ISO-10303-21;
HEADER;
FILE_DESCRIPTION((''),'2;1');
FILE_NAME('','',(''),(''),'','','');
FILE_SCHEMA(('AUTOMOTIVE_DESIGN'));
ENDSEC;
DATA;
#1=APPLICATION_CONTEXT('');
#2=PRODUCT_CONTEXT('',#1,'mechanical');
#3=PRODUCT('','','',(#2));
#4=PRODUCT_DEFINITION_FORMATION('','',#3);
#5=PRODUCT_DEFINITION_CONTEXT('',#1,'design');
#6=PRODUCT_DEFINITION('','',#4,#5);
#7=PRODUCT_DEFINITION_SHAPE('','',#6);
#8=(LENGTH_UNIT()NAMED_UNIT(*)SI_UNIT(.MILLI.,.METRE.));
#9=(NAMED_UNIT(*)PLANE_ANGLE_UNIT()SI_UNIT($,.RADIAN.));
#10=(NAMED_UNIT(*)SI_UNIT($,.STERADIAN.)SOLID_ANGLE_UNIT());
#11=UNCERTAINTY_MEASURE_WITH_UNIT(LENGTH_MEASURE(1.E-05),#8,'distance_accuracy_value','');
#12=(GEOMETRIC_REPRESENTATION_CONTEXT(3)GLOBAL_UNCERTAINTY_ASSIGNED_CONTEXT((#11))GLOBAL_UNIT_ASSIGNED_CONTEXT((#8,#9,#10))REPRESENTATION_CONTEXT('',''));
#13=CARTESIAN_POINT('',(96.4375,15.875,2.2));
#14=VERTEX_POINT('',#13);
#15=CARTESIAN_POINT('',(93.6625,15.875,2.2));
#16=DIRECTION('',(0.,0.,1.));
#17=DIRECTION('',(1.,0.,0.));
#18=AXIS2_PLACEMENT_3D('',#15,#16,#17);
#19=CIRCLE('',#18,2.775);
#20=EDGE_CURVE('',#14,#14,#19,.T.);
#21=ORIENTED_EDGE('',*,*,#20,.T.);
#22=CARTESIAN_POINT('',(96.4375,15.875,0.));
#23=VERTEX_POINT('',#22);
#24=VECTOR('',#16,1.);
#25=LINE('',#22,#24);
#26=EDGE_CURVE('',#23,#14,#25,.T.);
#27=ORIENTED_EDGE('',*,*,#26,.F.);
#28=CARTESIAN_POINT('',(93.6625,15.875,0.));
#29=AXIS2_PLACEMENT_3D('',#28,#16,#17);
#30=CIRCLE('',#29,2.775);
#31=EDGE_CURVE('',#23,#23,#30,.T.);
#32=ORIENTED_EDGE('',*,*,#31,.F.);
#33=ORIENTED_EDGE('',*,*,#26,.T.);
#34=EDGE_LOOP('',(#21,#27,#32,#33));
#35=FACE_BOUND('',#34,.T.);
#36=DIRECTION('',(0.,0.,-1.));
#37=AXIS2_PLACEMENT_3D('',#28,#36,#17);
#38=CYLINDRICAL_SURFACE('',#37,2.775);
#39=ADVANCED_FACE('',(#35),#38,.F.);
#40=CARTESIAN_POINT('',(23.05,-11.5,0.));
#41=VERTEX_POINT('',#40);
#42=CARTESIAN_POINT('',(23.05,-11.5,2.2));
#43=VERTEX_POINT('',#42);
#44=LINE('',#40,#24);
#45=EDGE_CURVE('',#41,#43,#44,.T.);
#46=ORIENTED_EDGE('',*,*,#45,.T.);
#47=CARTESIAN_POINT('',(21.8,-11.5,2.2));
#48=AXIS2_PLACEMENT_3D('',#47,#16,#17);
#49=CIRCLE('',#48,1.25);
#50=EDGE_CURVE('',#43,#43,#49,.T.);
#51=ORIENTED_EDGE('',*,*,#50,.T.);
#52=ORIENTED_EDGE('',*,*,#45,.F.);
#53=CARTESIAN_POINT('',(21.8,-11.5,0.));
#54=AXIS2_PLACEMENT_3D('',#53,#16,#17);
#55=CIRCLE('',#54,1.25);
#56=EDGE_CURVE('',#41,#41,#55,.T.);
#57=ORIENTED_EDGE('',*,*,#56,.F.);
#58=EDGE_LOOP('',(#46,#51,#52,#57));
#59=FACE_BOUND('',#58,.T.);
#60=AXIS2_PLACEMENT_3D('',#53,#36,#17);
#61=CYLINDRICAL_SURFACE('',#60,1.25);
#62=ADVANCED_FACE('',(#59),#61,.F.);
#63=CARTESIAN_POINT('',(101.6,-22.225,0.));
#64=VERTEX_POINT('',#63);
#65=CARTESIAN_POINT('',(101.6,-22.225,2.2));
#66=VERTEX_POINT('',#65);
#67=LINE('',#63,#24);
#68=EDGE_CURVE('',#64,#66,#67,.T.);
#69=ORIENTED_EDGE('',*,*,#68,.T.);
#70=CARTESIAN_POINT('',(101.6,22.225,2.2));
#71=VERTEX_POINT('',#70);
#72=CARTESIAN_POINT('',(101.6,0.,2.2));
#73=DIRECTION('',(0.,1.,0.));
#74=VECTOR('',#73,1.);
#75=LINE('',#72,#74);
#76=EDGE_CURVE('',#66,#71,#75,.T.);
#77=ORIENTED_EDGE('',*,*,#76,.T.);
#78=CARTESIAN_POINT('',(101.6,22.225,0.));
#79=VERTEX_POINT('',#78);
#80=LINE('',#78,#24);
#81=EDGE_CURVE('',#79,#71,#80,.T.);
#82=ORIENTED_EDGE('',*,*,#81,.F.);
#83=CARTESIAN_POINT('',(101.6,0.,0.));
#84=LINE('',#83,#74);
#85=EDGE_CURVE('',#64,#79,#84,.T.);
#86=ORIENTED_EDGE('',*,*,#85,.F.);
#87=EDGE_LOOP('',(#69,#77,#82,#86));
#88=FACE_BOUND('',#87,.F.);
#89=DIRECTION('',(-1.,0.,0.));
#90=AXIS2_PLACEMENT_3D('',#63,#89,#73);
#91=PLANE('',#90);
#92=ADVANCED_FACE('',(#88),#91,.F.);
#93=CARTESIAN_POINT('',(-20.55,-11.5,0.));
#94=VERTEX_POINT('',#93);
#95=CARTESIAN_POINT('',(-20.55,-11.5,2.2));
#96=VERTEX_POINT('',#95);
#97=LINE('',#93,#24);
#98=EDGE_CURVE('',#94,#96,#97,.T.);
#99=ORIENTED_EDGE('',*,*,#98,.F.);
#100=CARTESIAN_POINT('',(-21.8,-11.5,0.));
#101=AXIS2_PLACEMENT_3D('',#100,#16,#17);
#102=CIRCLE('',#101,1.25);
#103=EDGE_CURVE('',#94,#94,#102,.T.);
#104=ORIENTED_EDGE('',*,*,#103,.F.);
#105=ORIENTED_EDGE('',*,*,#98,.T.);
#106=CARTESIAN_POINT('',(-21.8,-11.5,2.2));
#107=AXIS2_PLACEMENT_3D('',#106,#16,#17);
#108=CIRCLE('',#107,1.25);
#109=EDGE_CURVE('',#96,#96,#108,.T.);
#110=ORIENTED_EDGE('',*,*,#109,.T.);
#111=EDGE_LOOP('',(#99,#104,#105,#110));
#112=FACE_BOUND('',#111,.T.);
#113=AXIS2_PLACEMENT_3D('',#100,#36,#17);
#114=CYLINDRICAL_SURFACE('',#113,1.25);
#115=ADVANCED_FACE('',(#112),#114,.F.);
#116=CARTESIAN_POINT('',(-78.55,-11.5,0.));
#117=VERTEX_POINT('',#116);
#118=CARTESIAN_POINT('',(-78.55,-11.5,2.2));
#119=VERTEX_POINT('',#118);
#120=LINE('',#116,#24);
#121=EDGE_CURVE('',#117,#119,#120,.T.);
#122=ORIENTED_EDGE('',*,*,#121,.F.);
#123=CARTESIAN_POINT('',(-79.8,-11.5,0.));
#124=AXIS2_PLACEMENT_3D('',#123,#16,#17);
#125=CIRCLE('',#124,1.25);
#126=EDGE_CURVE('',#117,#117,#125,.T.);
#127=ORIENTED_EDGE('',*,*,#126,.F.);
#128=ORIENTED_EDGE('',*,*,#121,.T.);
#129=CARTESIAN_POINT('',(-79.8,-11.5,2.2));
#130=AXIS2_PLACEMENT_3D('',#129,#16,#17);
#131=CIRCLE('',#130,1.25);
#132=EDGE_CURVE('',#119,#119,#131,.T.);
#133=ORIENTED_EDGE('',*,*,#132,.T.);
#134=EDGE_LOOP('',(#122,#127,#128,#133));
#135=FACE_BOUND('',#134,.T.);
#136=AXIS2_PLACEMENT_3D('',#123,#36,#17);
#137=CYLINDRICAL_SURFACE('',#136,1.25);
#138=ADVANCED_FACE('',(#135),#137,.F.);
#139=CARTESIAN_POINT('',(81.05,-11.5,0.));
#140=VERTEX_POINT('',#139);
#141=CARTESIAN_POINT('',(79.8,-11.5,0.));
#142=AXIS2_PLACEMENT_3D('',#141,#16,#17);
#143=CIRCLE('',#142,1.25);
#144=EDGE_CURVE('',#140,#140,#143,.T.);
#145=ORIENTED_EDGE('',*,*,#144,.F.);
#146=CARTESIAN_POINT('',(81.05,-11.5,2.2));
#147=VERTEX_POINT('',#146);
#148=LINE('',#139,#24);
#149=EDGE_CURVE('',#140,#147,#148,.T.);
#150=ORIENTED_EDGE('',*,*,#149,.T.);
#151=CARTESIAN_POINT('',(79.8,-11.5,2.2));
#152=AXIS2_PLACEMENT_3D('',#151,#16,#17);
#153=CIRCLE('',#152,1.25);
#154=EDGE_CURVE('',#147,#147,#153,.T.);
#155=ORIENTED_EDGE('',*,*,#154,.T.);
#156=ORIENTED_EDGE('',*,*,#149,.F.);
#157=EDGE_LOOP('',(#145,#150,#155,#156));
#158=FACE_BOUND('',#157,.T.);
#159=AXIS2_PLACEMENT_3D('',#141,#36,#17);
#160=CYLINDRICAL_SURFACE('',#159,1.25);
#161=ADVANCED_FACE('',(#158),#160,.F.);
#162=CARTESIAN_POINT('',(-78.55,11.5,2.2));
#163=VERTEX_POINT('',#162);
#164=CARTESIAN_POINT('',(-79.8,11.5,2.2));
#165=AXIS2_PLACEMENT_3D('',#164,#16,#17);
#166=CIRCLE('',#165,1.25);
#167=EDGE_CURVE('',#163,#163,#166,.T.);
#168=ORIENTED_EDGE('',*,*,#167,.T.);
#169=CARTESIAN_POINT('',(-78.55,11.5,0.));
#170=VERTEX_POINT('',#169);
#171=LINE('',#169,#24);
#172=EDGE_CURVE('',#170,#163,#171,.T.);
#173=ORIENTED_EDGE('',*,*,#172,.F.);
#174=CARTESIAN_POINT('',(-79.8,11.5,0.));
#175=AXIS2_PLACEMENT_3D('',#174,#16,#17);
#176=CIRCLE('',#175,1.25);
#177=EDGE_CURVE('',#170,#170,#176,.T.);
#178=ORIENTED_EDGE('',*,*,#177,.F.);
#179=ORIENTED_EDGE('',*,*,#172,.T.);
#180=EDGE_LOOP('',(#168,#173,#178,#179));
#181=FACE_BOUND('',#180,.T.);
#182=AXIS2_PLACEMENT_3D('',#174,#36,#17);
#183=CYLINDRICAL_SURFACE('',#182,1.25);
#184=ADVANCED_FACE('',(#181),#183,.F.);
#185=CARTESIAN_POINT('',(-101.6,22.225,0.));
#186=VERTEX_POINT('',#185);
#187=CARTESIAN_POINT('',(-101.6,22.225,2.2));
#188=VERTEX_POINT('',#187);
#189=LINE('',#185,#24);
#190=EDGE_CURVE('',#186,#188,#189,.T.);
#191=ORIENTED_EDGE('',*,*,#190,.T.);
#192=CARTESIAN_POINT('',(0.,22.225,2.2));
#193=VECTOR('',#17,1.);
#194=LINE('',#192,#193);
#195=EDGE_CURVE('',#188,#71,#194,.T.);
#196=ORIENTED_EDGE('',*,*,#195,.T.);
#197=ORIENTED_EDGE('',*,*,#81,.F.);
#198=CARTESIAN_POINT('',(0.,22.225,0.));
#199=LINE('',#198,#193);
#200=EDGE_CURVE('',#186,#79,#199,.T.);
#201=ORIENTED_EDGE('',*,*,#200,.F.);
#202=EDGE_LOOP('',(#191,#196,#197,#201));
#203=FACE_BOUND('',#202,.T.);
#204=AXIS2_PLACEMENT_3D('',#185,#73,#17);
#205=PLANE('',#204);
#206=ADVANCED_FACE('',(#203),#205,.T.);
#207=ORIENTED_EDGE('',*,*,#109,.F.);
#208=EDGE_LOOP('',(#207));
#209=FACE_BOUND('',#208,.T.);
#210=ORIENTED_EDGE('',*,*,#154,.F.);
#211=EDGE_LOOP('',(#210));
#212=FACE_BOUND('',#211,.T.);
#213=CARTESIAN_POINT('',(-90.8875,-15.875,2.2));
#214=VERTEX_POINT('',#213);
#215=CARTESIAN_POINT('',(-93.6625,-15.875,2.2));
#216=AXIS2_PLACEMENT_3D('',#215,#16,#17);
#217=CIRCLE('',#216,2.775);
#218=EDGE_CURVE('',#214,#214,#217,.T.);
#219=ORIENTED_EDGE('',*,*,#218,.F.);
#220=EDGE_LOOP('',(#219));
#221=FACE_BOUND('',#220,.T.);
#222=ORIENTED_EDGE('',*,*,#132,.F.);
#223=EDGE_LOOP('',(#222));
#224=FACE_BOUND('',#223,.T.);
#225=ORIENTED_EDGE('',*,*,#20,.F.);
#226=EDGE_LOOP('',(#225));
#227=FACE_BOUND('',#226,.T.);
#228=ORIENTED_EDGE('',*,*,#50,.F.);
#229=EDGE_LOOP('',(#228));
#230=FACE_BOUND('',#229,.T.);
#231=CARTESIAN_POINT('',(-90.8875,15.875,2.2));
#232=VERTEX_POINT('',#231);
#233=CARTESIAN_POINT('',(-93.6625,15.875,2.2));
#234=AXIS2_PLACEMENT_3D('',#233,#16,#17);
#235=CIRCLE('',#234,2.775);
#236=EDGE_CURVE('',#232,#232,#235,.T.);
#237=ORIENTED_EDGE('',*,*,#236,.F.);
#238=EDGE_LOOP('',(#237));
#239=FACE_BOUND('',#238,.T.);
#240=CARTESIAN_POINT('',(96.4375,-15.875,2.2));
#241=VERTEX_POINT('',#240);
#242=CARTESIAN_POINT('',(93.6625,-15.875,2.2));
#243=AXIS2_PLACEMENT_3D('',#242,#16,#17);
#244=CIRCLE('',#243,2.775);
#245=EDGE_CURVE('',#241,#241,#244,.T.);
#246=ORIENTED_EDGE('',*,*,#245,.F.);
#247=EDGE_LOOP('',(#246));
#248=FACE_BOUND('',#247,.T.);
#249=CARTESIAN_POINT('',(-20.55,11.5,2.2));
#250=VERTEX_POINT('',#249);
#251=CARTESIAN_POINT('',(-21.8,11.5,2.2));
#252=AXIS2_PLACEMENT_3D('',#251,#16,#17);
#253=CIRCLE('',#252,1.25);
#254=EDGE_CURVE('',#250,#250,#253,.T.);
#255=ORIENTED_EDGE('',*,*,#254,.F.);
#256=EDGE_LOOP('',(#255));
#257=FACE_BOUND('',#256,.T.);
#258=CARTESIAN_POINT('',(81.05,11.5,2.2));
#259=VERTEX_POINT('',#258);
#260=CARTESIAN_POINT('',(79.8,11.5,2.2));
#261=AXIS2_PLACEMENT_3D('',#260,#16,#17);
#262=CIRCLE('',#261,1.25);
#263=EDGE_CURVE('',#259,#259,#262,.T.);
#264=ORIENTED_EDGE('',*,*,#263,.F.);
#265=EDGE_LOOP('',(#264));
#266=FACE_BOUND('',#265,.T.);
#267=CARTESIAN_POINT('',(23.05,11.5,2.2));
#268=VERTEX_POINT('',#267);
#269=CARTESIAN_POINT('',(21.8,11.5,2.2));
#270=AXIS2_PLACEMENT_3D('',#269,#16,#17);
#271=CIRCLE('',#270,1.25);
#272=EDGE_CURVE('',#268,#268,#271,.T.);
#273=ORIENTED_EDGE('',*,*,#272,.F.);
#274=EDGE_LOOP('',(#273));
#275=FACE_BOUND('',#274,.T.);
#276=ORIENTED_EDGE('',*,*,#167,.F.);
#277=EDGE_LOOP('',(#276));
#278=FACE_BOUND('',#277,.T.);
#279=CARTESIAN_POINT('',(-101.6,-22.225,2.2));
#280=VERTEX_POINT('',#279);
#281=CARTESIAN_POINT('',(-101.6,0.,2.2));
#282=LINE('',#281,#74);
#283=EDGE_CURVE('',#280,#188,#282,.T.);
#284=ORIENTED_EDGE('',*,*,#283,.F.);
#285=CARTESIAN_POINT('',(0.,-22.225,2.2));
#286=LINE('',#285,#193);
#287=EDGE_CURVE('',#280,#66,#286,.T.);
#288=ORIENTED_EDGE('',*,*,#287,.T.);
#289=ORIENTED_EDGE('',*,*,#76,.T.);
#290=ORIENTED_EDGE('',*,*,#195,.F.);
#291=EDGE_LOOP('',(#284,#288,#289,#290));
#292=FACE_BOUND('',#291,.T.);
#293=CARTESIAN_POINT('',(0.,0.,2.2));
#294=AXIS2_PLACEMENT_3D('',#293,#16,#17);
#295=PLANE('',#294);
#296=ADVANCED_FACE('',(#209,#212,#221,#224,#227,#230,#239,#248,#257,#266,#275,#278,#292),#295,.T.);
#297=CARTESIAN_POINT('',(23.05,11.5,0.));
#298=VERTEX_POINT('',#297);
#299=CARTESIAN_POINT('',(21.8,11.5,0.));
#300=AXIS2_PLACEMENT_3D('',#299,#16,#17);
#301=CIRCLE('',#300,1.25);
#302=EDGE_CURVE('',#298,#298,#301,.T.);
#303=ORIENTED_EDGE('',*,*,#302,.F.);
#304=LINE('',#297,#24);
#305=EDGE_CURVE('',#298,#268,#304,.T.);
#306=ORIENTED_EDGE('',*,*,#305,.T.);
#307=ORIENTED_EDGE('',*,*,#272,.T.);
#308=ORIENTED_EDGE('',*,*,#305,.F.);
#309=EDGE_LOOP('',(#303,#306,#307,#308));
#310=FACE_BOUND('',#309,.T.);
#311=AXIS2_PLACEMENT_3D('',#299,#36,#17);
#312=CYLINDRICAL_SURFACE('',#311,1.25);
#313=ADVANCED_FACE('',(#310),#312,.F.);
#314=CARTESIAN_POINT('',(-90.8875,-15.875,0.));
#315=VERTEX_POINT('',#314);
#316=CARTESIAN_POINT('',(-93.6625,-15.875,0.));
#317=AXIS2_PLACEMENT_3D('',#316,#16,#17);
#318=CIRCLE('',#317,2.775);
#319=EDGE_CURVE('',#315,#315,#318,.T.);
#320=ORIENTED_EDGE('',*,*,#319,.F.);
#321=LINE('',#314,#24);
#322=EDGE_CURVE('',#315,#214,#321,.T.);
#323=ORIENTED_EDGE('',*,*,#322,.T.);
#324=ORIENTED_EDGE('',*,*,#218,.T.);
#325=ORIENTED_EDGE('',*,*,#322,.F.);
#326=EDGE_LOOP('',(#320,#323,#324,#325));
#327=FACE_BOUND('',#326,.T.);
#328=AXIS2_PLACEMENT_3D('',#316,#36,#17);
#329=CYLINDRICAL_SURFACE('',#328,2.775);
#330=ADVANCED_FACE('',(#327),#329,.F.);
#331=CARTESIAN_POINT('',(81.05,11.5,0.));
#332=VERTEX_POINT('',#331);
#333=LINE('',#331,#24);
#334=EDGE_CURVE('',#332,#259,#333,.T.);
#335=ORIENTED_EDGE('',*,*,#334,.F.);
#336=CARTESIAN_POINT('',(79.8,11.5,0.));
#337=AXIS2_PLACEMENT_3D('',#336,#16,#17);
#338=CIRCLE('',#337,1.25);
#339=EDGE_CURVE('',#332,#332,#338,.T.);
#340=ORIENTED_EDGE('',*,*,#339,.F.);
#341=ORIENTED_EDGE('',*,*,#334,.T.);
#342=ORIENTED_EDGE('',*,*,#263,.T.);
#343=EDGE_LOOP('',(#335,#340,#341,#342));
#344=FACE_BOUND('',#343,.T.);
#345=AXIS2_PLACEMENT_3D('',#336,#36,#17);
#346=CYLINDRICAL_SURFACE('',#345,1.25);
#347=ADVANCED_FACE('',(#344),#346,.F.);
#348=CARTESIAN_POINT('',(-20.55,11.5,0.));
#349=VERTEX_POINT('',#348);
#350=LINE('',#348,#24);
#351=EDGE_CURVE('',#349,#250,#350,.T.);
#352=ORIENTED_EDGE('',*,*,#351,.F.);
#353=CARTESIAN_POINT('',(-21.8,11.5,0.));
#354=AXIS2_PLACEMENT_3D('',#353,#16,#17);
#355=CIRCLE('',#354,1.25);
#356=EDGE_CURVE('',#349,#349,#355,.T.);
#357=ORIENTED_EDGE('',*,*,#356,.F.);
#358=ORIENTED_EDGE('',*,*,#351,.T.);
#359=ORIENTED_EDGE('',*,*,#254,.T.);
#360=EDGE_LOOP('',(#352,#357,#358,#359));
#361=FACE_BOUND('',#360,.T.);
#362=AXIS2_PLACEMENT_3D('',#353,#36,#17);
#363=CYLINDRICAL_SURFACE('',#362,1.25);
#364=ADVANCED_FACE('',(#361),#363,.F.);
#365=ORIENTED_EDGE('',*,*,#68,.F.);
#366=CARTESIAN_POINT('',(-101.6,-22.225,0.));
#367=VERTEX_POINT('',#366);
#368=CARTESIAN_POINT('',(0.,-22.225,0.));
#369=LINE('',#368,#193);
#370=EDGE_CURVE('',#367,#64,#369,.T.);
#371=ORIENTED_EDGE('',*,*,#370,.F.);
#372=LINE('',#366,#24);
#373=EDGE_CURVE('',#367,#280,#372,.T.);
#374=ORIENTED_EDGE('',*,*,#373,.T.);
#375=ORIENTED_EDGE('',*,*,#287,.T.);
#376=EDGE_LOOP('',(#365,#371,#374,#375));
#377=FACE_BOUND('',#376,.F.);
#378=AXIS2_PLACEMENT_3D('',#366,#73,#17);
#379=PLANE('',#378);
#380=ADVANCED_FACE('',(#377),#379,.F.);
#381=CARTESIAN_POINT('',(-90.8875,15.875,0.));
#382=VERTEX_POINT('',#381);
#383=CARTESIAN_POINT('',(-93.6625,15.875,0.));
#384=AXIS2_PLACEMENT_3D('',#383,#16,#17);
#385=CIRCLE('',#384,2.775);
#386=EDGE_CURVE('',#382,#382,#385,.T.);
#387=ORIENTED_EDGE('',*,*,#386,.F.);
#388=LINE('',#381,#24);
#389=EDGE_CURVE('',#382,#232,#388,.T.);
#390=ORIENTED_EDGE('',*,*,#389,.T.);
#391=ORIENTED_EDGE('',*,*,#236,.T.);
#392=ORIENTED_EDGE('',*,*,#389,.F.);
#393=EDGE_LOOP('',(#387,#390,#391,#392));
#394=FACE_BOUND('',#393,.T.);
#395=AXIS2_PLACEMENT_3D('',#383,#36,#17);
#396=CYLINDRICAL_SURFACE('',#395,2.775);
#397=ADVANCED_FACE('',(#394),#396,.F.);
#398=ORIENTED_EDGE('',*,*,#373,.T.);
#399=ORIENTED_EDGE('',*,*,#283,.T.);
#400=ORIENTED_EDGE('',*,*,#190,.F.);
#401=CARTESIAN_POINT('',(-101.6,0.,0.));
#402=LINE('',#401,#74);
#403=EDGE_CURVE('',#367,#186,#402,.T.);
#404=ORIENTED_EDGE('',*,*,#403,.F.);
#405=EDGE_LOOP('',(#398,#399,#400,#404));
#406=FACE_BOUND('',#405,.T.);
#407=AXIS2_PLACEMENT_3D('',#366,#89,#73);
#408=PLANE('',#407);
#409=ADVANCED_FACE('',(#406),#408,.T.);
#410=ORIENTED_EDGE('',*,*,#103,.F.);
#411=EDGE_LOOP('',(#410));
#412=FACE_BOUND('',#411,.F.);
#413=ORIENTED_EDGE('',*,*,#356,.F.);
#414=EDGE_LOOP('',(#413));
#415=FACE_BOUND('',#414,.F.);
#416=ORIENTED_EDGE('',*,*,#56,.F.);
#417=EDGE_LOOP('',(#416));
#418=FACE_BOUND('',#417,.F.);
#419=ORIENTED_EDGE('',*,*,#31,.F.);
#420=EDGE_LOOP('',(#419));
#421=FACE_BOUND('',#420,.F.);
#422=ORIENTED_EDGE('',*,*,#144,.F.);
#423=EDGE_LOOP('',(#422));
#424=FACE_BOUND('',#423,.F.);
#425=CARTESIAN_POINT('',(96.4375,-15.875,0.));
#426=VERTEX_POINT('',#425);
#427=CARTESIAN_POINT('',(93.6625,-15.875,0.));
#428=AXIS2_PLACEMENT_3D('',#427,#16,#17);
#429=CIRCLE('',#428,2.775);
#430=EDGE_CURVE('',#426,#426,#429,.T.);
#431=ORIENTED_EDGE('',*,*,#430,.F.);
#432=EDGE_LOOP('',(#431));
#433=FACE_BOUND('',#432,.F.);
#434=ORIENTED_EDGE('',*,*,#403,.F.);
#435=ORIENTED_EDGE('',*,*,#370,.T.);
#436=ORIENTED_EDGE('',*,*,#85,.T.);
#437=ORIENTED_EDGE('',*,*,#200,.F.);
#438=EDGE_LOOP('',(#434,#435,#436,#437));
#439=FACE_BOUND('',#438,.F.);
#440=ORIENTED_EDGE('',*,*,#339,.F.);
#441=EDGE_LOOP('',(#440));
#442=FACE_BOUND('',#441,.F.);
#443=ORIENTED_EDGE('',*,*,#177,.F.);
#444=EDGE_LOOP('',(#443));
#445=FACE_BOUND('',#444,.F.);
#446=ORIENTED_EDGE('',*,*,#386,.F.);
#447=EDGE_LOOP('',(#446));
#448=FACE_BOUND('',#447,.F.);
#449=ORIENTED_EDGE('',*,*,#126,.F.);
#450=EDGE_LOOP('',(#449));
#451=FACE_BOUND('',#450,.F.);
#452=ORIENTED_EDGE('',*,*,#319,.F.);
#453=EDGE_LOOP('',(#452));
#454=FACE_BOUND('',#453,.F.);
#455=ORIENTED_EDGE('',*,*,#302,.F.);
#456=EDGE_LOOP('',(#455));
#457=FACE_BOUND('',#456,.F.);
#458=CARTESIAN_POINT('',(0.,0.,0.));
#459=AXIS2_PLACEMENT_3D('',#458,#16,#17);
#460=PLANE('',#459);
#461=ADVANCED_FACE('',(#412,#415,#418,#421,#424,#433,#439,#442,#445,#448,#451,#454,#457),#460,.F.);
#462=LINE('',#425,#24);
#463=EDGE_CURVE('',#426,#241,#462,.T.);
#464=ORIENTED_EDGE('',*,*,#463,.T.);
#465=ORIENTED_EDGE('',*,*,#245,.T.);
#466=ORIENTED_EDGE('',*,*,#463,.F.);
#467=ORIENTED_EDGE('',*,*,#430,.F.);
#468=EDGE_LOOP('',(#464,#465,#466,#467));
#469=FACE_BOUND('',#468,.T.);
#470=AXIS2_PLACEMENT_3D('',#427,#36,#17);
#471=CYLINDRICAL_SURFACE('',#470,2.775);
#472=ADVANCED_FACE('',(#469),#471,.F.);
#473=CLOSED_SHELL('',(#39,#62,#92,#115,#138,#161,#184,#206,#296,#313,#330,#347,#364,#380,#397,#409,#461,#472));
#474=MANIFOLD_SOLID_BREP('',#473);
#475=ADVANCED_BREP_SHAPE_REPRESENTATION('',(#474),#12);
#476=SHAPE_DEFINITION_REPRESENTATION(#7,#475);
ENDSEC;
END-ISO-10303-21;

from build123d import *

# Parameters (mm, degrees)
SKETCH_W   = 203.2
SKETCH_H   = 44.45
SKETCH_R   = 2.775
SKETCH_R_2 = 1.25
PAD_DEPTH  = 2.2


with BuildPart() as part:
    # Sketch → Pad (new body)
    with BuildSketch(Plane.XY):
        Rectangle(SKETCH_W, SKETCH_H)
        with Locations((-93.6625, 15.875)):
            Circle(SKETCH_R, mode=Mode.SUBTRACT)
        with Locations((-93.6625, -15.875)):
            Circle(SKETCH_R, mode=Mode.SUBTRACT)
        with Locations((93.6625, 15.875)):
            Circle(SKETCH_R, mode=Mode.SUBTRACT)
        with Locations((93.6625, -15.875)):
            Circle(SKETCH_R, mode=Mode.SUBTRACT)
        with Locations((-79.8, 11.5)):
            Circle(SKETCH_R_2, mode=Mode.SUBTRACT)
        with Locations((-79.8, -11.5)):
            Circle(SKETCH_R_2, mode=Mode.SUBTRACT)
        with Locations((-21.8, 11.5)):
            Circle(SKETCH_R_2, mode=Mode.SUBTRACT)
        with Locations((-21.8, -11.5)):
            Circle(SKETCH_R_2, mode=Mode.SUBTRACT)
        with Locations((21.8, 11.5)):
            Circle(SKETCH_R_2, mode=Mode.SUBTRACT)
        with Locations((21.8, -11.5)):
            Circle(SKETCH_R_2, mode=Mode.SUBTRACT)
        with Locations((79.8, 11.5)):
            Circle(SKETCH_R_2, mode=Mode.SUBTRACT)
        with Locations((79.8, -11.5)):
            Circle(SKETCH_R_2, mode=Mode.SUBTRACT)
    extrude(amount=PAD_DEPTH)


solid = part.part
